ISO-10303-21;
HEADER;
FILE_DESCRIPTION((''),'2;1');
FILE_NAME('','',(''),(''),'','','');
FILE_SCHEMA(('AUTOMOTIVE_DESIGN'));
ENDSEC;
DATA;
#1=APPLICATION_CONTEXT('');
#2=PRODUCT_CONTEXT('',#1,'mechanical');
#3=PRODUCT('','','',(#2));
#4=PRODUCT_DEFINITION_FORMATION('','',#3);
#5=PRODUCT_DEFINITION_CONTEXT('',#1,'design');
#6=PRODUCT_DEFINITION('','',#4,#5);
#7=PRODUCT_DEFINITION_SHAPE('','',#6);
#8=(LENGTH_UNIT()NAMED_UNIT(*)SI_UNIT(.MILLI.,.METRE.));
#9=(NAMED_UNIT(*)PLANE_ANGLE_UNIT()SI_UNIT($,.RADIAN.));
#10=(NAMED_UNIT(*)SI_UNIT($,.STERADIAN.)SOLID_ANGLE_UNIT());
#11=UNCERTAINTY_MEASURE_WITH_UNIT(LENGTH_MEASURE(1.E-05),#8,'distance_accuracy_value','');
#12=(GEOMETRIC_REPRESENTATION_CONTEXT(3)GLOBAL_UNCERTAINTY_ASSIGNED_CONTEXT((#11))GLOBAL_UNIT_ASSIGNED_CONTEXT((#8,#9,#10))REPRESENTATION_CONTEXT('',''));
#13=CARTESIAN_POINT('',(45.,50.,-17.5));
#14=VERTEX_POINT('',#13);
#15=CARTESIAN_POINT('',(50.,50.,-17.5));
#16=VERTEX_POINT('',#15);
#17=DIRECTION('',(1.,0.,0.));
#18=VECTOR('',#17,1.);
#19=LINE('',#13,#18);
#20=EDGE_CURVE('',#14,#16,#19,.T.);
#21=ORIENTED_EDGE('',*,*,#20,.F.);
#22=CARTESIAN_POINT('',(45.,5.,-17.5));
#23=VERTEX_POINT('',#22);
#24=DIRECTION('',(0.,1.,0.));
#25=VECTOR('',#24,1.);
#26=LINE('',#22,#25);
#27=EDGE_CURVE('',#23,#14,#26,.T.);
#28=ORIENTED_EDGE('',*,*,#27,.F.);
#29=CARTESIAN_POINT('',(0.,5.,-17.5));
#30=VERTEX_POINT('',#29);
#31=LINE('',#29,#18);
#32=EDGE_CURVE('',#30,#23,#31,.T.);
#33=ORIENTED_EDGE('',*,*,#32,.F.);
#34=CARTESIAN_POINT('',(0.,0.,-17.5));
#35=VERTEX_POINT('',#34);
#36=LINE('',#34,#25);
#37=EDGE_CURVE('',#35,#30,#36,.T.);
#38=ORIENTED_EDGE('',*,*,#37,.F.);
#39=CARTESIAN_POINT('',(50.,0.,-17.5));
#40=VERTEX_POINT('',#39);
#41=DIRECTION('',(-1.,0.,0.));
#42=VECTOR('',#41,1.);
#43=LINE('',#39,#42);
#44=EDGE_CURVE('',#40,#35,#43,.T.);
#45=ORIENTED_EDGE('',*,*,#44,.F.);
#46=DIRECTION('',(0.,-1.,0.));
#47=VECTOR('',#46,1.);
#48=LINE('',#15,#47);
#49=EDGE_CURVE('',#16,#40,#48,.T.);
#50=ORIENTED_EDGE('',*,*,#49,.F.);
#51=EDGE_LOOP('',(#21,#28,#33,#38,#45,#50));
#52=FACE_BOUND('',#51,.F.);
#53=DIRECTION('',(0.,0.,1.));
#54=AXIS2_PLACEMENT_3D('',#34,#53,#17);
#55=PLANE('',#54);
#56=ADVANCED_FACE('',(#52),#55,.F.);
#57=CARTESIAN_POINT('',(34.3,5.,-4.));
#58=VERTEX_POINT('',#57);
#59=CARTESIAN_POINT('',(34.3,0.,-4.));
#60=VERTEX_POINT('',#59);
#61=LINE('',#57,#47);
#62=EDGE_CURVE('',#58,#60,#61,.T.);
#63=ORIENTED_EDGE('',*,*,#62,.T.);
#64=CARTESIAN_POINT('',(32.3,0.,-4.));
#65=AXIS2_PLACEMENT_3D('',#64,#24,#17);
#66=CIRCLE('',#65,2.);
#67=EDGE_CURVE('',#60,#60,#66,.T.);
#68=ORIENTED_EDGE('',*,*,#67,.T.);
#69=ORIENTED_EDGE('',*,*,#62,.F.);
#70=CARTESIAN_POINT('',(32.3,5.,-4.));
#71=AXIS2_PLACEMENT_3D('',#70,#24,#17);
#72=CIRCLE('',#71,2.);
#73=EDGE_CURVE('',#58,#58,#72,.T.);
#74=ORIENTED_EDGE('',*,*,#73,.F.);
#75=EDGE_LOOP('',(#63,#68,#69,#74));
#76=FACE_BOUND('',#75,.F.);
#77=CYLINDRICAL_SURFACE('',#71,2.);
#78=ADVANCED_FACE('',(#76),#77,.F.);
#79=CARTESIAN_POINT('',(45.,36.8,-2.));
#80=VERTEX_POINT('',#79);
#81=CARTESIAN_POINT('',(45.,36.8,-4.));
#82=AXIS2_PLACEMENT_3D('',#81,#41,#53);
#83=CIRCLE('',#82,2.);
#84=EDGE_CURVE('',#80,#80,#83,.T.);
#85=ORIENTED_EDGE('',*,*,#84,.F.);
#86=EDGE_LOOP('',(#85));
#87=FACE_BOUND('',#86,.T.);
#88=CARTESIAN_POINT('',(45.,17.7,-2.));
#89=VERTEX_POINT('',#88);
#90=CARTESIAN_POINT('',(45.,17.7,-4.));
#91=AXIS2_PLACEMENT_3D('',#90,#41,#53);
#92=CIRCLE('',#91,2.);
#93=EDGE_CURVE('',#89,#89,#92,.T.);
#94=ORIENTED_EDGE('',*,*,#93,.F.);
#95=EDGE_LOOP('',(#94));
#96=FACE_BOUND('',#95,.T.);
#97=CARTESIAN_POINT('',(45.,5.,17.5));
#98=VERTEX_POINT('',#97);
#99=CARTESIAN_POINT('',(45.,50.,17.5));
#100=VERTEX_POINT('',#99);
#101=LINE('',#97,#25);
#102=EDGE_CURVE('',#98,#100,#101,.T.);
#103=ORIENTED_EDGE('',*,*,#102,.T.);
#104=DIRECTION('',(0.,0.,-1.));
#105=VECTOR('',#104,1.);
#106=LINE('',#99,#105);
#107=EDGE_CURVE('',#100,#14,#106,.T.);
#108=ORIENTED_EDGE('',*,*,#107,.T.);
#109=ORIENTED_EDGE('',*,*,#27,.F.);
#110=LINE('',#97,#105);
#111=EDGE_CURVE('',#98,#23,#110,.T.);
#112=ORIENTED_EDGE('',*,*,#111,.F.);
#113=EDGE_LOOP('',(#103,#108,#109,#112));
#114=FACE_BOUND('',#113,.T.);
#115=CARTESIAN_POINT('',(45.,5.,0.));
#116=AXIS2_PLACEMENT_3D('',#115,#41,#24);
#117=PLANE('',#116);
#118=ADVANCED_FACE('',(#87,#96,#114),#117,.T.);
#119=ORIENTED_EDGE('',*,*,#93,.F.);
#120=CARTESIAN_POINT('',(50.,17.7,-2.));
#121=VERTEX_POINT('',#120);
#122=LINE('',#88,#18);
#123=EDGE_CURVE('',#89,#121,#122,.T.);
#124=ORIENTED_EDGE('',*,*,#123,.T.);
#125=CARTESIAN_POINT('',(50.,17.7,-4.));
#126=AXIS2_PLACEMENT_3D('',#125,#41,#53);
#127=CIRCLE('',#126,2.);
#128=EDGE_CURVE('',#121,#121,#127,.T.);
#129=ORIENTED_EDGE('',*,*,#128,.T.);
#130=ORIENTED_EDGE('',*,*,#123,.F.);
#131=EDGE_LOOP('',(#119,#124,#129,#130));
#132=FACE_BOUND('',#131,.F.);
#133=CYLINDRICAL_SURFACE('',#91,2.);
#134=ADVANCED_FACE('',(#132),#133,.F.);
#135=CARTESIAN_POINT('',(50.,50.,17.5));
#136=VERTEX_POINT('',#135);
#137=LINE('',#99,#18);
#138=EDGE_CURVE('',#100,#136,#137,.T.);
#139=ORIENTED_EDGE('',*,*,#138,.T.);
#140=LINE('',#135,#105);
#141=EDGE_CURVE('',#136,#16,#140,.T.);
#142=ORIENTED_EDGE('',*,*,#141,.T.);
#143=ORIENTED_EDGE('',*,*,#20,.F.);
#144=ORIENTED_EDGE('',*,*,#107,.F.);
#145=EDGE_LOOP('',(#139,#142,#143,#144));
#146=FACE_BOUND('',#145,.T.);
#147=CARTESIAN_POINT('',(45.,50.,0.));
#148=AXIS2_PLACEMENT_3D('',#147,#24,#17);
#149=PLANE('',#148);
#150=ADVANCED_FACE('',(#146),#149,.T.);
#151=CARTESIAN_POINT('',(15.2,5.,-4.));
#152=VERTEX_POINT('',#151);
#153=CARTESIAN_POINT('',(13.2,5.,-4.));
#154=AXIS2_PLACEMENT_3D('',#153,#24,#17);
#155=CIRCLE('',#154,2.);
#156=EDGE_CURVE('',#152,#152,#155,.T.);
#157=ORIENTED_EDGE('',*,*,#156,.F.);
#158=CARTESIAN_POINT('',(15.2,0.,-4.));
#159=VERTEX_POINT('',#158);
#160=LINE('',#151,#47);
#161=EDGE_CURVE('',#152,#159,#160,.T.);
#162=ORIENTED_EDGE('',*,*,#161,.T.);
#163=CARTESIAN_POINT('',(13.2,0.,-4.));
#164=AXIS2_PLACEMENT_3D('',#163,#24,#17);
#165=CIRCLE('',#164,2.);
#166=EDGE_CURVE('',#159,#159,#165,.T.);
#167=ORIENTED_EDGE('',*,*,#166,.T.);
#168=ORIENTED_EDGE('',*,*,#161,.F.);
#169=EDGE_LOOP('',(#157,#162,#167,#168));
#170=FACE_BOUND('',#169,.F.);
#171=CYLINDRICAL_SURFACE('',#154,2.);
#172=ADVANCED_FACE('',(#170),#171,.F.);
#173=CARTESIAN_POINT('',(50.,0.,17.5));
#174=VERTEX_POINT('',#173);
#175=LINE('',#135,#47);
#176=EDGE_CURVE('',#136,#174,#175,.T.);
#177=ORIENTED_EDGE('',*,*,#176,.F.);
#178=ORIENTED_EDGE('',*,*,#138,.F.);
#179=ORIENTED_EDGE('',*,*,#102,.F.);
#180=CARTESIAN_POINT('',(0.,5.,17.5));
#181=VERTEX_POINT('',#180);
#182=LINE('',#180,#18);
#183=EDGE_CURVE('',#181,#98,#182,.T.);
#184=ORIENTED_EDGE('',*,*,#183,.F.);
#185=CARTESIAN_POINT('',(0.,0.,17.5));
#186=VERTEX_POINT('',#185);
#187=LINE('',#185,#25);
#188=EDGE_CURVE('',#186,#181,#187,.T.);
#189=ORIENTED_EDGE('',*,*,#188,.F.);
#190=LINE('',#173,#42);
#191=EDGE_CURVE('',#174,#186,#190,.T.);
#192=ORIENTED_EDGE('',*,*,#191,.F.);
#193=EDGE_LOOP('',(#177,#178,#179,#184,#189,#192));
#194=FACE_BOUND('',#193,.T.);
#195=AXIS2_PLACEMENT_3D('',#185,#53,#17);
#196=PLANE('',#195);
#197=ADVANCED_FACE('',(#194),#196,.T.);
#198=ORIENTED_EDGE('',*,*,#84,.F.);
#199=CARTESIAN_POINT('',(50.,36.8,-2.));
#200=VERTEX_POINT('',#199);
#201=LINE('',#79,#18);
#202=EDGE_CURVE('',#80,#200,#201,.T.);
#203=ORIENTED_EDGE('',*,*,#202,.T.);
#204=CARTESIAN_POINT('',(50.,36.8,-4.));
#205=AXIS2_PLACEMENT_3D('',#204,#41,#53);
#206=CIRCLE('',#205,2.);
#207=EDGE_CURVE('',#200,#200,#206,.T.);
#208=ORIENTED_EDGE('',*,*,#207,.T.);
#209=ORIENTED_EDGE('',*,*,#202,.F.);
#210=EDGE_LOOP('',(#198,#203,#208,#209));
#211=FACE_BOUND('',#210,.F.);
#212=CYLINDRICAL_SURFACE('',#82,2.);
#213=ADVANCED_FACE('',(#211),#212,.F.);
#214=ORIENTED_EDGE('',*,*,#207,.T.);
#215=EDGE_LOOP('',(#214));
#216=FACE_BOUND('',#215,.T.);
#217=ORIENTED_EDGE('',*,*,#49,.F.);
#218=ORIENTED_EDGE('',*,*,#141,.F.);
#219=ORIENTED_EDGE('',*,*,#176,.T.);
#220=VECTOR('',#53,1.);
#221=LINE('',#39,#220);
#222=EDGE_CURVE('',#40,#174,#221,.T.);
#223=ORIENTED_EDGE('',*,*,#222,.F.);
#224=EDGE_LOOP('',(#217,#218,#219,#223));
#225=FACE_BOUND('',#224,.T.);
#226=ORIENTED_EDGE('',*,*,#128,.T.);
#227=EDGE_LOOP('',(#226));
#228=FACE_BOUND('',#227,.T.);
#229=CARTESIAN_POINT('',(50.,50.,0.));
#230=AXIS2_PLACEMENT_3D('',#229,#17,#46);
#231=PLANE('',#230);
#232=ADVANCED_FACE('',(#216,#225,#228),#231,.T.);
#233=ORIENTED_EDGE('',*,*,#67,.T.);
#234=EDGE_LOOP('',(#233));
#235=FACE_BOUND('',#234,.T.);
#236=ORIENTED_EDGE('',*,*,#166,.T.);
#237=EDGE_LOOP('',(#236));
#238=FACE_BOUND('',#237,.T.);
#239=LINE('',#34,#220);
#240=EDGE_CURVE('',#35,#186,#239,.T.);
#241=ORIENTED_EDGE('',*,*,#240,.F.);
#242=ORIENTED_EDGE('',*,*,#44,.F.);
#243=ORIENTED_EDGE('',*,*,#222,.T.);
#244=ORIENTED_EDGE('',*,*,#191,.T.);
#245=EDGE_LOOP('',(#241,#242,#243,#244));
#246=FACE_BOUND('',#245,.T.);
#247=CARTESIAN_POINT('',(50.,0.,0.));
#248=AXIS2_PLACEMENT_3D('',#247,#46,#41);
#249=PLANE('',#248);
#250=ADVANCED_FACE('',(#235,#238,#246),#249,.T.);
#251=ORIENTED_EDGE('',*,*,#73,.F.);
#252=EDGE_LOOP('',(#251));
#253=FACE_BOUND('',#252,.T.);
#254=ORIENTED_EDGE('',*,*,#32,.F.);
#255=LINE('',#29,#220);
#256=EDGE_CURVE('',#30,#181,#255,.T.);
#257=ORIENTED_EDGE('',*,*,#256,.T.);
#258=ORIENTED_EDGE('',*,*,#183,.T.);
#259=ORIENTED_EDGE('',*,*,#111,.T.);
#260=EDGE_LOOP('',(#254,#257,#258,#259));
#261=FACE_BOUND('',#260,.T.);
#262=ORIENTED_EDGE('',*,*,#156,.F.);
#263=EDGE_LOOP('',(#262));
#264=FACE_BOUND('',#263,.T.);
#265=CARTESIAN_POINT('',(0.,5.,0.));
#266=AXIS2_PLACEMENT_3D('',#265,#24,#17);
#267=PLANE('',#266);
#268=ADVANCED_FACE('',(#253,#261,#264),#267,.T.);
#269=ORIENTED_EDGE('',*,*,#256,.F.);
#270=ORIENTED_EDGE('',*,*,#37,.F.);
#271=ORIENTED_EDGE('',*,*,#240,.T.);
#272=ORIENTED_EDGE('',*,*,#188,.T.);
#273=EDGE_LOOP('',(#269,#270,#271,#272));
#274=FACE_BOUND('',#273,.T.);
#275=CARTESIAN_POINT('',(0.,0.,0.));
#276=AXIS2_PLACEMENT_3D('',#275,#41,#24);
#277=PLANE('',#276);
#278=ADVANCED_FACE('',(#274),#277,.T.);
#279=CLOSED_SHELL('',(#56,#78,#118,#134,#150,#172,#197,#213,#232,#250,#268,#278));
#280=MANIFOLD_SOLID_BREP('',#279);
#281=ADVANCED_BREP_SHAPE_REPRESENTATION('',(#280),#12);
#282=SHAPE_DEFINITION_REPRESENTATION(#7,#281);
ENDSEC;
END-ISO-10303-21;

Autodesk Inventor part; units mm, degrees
ref_plane "YZ Plane" through (0, 0, 0) normal (1, 0, 0) x (0, 1, 0)
ref_plane "XZ Plane" through (0, 0, 0) normal (0, 1, 0) x (-1, 0, 0)
ref_plane "XY Plane" through (0, 0, 0) normal (0, 0, 1) x (1, 0, 0)
sketch "Sketch1" plane through (0, 0, 0) normal (0, 0, 1) x (1, 0, 0)
  line L0 (0, 5) -> (45, 5)
  line L1 (45, 5) -> (45, 50)
  line L2 (45, 50) -> (50, 50)
  line L3 (50, 50) -> (50, 0)
  line L4 (50, 0) -> (0, 0)
  line L5 (0, 0) -> (0, 5)
  dimension "d0" = 50
  dimension "d1" = 50
  dimension "d2" = 5
  dimension "d3" = 5
extrude "Extrusion1" add sketch "Sketch1" along normal mid plane 35
sketch "Sketch2" plane through (0, 5, 17.5) normal (0, 1, 0) x (1, 0, 0)
  line L0 (45, 35) -> (0, 35) projected
  line L1 (0, 35) -> (0, 0) projected
  circle A0 centre (13.2, 21.5) radius 2
  circle A1 centre (32.3, 21.5) radius 2
  point P0 (0, 17.5)
  dimension "d6" = 4
  dimension "d7" = 13.2
  dimension "d8" = 19.1
  dimension "d9" = 13.5
extrude "Extrusion2" cut sketch "Sketch2" against normal through all
sketch "Sketch3" plane through (45, 5, 17.5) normal (-1, 0, 0) x (0, 0, 1)
  line L0 (0, 45) -> (-35, 45) projected
  line L1 (-35, 45) -> (-35, 0) projected
  circle A0 centre (-21.5, 31.8) radius 2
  circle A1 centre (-21.5, 12.7) radius 2
  point P0 (-17.5, -5)
  dimension "d12" = 13.2
  dimension "d13" = 19.1
  dimension "d14" = 13.5
  dimension "d15" = 4
extrude "Extrusion3" cut sketch "Sketch3" against normal through all
